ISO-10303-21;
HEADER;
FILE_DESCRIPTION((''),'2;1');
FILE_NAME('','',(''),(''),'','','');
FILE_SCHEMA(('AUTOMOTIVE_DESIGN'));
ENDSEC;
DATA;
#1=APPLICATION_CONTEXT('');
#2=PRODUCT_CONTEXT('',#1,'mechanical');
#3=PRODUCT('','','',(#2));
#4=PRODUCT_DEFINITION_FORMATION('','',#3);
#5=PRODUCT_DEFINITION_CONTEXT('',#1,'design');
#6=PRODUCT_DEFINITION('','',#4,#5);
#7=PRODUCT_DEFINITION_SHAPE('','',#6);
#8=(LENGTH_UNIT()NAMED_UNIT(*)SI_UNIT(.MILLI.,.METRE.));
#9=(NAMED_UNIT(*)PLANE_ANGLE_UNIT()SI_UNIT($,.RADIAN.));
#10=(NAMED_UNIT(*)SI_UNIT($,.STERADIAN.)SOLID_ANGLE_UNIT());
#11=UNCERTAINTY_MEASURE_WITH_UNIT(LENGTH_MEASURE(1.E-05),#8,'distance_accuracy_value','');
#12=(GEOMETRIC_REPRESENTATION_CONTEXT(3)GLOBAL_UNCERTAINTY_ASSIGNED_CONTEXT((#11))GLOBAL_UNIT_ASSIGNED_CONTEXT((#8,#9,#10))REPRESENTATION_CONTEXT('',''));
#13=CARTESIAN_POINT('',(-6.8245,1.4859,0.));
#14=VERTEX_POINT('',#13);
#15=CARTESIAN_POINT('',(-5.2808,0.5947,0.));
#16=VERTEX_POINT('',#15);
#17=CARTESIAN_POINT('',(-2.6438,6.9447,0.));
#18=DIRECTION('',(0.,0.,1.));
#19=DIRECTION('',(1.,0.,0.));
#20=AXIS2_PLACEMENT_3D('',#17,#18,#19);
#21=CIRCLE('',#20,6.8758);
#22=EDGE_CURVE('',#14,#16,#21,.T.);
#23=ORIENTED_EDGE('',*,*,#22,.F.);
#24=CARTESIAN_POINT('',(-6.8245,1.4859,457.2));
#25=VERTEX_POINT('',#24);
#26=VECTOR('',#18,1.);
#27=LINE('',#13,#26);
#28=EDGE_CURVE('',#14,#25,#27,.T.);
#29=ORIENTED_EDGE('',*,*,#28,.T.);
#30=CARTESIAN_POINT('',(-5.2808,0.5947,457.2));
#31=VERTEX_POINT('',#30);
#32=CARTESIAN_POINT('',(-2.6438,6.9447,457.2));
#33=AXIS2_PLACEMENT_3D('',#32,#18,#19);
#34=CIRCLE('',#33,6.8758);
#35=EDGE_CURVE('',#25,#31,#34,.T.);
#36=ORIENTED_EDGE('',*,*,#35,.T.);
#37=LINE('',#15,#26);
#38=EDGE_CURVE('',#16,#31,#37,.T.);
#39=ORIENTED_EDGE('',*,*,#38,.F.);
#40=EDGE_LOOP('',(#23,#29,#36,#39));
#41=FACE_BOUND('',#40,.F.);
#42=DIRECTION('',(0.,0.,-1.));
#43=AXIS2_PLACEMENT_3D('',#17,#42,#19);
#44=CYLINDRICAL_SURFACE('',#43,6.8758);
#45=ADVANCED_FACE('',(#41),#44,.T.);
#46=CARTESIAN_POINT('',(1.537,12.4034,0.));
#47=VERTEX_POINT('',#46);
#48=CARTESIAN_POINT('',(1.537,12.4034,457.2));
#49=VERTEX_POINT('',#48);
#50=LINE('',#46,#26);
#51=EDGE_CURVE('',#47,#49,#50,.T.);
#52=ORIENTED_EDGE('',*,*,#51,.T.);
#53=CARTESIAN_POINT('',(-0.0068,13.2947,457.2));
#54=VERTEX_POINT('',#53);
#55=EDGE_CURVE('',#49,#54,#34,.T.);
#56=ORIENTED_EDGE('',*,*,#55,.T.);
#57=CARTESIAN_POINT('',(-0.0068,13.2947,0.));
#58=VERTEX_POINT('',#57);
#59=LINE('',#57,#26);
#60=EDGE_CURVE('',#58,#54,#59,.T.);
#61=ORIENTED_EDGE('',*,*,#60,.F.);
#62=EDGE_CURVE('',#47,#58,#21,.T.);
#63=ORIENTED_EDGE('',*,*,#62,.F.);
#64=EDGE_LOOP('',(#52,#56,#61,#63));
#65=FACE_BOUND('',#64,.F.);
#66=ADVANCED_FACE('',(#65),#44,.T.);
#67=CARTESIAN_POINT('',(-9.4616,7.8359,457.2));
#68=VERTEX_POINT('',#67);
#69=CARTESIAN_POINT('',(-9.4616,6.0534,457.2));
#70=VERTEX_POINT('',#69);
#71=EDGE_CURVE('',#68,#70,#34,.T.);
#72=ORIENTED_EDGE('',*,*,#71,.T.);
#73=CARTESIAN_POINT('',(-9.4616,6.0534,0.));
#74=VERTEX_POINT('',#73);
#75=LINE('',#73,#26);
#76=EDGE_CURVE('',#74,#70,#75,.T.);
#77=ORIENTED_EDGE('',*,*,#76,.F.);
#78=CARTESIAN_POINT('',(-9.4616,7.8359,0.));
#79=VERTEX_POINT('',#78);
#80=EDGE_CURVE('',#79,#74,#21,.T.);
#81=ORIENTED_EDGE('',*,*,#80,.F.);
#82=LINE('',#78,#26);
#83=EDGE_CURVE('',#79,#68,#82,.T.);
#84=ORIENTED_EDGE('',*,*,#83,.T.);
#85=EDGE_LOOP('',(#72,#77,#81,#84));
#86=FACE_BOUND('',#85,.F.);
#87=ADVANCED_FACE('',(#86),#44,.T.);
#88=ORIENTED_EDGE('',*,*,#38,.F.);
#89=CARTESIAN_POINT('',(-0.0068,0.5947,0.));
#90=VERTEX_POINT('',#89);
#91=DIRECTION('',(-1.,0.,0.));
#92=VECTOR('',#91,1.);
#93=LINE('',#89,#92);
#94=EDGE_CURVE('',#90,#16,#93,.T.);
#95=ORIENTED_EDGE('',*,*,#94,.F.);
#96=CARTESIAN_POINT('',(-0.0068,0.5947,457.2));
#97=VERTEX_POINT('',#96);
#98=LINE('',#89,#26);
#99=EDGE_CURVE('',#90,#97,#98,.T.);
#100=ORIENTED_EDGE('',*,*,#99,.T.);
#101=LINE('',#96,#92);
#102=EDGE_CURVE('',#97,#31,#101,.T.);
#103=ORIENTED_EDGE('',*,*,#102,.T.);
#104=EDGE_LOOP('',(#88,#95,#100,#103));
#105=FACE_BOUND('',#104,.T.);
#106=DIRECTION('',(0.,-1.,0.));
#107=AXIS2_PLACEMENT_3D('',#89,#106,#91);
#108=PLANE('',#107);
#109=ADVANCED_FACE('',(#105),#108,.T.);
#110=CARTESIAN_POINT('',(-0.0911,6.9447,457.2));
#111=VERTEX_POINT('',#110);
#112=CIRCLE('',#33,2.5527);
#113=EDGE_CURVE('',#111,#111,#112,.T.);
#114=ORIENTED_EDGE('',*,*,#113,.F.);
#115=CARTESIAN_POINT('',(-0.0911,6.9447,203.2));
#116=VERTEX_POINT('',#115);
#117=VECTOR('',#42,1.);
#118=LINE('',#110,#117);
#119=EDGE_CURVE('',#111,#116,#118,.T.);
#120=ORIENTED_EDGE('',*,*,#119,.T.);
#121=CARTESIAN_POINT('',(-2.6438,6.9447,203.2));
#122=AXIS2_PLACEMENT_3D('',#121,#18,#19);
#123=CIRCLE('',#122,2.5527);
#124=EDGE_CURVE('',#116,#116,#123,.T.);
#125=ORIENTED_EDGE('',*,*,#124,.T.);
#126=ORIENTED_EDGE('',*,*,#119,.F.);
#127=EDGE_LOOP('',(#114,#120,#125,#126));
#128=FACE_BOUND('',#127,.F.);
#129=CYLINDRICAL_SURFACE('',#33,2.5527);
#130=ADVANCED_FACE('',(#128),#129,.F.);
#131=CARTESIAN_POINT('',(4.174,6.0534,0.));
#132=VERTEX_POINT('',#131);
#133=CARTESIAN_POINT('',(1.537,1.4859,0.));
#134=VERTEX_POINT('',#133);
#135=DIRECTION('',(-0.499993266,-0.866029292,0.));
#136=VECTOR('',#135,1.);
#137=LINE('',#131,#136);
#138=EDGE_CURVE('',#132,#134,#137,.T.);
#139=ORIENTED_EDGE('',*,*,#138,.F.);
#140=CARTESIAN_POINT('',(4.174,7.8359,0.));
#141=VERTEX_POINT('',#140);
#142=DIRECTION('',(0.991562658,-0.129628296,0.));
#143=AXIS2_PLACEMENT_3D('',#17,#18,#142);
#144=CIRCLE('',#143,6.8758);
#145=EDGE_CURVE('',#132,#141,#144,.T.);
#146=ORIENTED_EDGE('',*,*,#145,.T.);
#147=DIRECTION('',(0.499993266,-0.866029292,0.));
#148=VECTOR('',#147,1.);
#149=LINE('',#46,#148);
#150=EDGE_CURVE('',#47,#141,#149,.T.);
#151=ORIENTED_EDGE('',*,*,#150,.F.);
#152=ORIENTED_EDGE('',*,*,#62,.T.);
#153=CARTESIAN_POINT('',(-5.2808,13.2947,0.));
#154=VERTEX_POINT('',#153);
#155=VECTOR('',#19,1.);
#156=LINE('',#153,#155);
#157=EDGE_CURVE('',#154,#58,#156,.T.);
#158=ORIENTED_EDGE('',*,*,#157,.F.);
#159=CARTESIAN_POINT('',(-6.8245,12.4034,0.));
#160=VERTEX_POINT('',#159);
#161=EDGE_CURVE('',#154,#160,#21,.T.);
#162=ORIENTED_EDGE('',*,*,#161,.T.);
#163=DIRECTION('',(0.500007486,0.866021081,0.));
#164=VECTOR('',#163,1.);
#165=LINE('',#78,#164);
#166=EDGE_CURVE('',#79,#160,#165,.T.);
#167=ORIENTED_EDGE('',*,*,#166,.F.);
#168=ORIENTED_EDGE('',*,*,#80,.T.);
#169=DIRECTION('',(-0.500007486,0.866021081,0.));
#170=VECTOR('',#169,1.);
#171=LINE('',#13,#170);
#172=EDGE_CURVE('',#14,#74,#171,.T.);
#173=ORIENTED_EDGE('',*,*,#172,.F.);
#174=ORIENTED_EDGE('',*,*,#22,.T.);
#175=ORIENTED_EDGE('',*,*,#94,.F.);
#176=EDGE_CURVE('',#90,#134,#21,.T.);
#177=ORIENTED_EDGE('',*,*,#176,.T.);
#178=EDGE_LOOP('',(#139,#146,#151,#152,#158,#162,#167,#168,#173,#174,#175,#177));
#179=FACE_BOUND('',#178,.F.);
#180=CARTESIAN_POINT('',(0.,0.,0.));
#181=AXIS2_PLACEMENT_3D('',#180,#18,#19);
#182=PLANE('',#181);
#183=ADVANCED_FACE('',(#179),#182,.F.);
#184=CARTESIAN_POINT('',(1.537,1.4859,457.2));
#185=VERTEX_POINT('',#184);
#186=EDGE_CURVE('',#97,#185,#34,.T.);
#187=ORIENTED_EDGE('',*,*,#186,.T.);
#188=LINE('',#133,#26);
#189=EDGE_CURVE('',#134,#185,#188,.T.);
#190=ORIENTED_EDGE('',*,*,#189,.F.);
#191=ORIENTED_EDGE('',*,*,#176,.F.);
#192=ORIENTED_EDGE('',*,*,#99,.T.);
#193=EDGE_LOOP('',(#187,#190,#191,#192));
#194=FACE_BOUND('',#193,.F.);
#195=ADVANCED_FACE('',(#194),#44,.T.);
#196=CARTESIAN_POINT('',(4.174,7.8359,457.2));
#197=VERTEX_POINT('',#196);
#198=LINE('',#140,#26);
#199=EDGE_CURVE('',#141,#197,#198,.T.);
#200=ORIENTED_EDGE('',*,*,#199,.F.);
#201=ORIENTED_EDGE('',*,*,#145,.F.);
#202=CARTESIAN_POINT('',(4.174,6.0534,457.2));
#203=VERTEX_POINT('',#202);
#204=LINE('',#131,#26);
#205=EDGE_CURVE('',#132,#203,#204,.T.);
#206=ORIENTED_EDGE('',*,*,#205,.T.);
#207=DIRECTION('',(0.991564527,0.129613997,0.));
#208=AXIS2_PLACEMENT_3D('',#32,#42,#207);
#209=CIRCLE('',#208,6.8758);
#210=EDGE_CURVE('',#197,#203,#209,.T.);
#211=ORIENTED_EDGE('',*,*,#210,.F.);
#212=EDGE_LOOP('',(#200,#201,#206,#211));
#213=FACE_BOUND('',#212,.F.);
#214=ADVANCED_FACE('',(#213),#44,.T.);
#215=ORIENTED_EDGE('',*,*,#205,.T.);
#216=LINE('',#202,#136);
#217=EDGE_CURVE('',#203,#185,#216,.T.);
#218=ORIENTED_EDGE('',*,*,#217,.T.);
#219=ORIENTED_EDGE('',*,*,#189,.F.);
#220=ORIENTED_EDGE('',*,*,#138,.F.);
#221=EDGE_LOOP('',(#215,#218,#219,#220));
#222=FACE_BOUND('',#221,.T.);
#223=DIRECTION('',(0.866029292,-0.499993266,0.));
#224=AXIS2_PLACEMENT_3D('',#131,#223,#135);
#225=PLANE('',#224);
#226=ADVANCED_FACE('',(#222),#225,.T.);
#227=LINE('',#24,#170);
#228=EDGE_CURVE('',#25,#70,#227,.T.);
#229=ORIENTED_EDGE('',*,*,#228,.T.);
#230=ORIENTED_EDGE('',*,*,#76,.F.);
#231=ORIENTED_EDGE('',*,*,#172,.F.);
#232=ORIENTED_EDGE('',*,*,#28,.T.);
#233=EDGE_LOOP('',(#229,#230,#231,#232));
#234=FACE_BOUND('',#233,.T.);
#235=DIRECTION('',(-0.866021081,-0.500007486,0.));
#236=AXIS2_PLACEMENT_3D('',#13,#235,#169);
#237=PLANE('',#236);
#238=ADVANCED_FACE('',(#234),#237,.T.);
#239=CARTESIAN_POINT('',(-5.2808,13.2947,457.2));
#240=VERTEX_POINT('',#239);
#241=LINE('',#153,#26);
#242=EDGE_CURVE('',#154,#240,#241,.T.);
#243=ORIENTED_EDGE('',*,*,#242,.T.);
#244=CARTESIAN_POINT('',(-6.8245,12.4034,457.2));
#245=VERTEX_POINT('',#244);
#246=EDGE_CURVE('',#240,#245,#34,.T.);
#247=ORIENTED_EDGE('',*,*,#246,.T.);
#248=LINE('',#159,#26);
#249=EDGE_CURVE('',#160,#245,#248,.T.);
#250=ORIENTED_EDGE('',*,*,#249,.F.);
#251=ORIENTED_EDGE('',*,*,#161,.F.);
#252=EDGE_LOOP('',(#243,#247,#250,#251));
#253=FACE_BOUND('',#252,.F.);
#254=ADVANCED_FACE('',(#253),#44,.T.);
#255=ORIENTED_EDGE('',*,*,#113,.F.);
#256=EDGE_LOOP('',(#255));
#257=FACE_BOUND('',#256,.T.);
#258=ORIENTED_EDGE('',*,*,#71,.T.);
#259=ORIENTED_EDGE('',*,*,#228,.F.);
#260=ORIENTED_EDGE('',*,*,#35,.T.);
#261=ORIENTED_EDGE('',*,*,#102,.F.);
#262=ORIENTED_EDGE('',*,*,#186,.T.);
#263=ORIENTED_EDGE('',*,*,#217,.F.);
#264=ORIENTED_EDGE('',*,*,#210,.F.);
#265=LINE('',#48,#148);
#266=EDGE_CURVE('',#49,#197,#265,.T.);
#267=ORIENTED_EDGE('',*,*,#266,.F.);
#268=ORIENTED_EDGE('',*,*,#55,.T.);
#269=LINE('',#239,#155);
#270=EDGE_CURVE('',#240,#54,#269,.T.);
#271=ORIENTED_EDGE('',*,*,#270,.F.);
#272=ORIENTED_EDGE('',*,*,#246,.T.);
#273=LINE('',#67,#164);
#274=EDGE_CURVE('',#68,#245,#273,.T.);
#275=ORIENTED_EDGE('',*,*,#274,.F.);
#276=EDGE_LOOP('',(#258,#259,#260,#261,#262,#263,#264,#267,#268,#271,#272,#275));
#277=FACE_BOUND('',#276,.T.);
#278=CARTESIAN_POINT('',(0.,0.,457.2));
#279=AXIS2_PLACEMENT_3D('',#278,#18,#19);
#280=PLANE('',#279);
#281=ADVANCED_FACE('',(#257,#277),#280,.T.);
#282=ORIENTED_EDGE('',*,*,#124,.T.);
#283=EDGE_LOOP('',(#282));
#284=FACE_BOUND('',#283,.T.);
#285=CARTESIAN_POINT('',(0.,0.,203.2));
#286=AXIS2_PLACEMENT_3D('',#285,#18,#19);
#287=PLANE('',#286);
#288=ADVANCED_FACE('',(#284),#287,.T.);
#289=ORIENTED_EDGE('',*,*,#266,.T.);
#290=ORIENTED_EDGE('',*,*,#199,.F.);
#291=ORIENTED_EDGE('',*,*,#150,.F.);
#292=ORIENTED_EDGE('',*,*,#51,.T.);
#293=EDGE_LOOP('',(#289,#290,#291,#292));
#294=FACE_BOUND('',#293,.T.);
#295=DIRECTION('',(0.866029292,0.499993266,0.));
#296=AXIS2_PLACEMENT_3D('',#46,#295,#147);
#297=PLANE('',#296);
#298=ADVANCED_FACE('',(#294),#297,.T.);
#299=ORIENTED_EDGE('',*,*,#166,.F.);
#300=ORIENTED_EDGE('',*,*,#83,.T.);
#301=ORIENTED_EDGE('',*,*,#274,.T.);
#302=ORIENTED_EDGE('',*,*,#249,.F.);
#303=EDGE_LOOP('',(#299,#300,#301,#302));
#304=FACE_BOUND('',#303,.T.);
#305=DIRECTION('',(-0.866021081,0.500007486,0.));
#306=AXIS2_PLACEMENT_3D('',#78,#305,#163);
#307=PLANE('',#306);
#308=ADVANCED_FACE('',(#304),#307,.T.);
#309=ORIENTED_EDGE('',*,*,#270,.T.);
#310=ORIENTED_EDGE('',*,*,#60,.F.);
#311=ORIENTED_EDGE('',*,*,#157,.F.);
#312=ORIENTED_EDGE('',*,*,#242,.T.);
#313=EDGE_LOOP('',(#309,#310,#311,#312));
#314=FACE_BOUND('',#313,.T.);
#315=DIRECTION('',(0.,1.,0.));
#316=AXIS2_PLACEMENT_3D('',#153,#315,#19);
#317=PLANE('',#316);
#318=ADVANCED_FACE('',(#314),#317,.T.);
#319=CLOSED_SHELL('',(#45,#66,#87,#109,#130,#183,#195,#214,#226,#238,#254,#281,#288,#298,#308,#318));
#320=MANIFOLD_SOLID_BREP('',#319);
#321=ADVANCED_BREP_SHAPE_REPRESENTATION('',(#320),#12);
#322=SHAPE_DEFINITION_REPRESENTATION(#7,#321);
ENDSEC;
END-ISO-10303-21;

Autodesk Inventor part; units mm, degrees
ref_plane "YZ Plane" through (0, 0, 0) normal (1, 0, 0) x (0, 1, 0)
ref_plane "XZ Plane" through (0, 0, 0) normal (0, 1, 0) x (-1, 0, 0)
ref_plane "XY Plane" through (0, 0, 0) normal (0, 0, 1) x (1, 0, 0)
sketch "Sketch1" plane through (0, 0, 0) normal (0, 0, 1) x (1, 0, 0)
  circle A0 centre (-2.6438, 6.9447) radius 6.8758
  line L0 (-9.4616, 7.8359) -> (-6.8245, 12.4034)
  line L1 (-6.8245, 1.4859) -> (-9.4616, 6.0534)
  line L2 (-0.0068, 0.5947) -> (-5.2808, 0.5947)
  line L3 (4.174, 6.0534) -> (1.537, 1.4859)
  line L4 (1.537, 12.4034) -> (4.174, 7.8359)
  line L5 (-5.2808, 13.2947) -> (-0.0068, 13.2947)
  point P0 (0, 0)
  point P1 (1.537, 1.4859)
  dimension "d0" = 13.7516
  dimension "d4" = 360
extrude "Extrusion1" add sketch "Sketch1" along normal blind 457.2 contours A0 L3 L2 L1 L0 L5 L4
sketch "Sketch2" plane through (0, 0, 457.2) normal (0, 0, 1) x (1, 0, 0)
  circle A0 centre (-2.6438, 6.9447) radius 2.5527
  line L0 (-5.2808, 0.5947) -> (-0.0068, 0.5947) projected
  line L1 (-2.6438, 6.9447) -> (-5.2808, 0.5947) construction
  line L2 (-2.6438, 6.9447) -> (-0.0068, 0.5947) construction
  point P0 (0, 0)
  dimension "d8" = 5.1054
  dimension "d9" = 6.35
extrude "Extrusion2" cut sketch "Sketch2" against normal blind 254
equation "\"d10\" = d5"
equation "\"d5\" = 254"
properties part number "12in THUNDERSHAFT STOCK"
